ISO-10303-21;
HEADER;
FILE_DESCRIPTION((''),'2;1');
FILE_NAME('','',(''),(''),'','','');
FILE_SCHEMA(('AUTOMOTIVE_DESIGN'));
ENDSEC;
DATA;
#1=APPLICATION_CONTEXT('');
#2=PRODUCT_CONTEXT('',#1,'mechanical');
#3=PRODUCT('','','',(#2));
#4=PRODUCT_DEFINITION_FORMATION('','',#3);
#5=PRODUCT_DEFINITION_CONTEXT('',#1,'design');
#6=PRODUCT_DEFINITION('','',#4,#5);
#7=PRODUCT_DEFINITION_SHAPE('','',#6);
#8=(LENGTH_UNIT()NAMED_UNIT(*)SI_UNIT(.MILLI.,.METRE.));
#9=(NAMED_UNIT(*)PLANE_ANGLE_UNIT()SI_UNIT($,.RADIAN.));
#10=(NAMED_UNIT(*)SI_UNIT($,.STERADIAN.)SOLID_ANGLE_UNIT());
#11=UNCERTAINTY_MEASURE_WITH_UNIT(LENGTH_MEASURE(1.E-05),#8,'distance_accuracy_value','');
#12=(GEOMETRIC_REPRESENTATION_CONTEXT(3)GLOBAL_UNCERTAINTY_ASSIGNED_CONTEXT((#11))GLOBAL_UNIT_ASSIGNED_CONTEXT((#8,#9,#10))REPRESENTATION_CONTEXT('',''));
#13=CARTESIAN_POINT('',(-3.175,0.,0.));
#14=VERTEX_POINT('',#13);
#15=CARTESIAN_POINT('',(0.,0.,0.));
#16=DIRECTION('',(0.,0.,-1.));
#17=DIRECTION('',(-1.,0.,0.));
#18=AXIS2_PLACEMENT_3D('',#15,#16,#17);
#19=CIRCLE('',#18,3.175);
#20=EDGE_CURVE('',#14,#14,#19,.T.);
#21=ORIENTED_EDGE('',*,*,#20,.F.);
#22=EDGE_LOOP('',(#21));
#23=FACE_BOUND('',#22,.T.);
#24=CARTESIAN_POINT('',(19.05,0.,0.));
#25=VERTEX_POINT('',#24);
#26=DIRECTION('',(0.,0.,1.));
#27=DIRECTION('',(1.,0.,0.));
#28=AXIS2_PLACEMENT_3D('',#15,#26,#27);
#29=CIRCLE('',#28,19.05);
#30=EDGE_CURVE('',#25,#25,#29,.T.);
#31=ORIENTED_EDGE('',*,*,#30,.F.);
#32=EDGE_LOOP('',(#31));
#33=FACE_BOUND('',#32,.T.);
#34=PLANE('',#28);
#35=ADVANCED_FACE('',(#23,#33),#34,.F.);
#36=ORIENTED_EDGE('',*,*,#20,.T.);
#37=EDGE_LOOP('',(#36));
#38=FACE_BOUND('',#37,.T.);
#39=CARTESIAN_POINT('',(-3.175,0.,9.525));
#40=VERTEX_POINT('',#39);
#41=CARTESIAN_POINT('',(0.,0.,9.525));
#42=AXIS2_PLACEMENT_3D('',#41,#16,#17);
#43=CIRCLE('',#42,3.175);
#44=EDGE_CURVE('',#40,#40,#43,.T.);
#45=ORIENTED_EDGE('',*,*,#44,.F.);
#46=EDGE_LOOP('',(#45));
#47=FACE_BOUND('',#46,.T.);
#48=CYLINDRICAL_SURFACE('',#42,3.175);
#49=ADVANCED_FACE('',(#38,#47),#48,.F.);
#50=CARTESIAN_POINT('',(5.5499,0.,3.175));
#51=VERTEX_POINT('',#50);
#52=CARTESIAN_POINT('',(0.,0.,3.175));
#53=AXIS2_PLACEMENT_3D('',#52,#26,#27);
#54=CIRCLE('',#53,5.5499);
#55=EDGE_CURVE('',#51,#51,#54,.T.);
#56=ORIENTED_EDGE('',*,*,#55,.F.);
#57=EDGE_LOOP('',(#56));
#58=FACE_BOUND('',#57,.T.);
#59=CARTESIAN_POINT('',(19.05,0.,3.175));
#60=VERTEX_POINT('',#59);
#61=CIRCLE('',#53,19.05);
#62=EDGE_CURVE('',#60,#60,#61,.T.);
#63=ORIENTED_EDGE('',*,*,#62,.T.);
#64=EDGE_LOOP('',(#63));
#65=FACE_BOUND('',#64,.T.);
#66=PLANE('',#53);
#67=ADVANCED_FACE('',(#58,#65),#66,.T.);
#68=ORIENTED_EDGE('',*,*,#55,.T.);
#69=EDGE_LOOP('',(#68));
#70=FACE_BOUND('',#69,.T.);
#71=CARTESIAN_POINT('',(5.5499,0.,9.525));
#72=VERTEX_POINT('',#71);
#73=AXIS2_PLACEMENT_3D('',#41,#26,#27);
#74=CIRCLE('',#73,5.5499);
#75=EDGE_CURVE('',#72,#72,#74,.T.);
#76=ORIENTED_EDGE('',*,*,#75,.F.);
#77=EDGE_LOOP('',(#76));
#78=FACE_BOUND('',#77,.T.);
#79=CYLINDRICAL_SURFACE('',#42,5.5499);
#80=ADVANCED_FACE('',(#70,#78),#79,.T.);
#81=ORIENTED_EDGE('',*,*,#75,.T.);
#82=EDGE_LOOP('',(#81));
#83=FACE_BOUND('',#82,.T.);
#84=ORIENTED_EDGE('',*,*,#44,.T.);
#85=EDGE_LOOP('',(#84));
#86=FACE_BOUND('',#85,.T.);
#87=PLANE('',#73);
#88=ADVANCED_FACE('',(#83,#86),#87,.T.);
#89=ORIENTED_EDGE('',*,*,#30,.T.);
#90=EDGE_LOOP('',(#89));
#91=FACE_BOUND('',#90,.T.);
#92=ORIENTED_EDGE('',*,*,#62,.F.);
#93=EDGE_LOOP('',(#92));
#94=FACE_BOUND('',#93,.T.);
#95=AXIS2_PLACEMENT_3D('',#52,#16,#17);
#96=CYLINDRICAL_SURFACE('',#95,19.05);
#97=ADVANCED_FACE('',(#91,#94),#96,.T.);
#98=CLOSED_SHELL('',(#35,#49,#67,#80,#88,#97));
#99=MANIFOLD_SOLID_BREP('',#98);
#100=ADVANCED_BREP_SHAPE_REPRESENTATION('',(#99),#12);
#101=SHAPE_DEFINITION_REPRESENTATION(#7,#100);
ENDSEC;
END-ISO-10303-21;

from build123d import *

# Parameters (mm, degrees)
SKETCH1_R           = 19.05
BOSS_EXTRUDE1_DEPTH = 3.175
SKETCH2_R           = 5.5499
BOSS_EXTRUDE2_DEPTH = 6.35
SKETCH3_R           = 3.175
CUT_EXTRUDE1_DEPTH  = 9.525


with BuildPart() as part:
    # Sketch1 → Boss-Extrude1 (new body)
    with BuildSketch(Plane.XY):
        Circle(SKETCH1_R)
    extrude(amount=BOSS_EXTRUDE1_DEPTH)

    # Sketch2 → Boss-Extrude2 (add)
    with BuildSketch(Plane.XY.offset(3.175)):
        Circle(SKETCH2_R)
    extrude(amount=BOSS_EXTRUDE2_DEPTH)

    # Sketch3 → Cut-Extrude1 (cut)
    with BuildSketch(Plane(origin=(0, 0, 0), x_dir=(-1, 0, 0), z_dir=(0, 0, -1))):
        Circle(SKETCH3_R)
    extrude(amount=-CUT_EXTRUDE1_DEPTH, mode=Mode.SUBTRACT)


solid = part.part
